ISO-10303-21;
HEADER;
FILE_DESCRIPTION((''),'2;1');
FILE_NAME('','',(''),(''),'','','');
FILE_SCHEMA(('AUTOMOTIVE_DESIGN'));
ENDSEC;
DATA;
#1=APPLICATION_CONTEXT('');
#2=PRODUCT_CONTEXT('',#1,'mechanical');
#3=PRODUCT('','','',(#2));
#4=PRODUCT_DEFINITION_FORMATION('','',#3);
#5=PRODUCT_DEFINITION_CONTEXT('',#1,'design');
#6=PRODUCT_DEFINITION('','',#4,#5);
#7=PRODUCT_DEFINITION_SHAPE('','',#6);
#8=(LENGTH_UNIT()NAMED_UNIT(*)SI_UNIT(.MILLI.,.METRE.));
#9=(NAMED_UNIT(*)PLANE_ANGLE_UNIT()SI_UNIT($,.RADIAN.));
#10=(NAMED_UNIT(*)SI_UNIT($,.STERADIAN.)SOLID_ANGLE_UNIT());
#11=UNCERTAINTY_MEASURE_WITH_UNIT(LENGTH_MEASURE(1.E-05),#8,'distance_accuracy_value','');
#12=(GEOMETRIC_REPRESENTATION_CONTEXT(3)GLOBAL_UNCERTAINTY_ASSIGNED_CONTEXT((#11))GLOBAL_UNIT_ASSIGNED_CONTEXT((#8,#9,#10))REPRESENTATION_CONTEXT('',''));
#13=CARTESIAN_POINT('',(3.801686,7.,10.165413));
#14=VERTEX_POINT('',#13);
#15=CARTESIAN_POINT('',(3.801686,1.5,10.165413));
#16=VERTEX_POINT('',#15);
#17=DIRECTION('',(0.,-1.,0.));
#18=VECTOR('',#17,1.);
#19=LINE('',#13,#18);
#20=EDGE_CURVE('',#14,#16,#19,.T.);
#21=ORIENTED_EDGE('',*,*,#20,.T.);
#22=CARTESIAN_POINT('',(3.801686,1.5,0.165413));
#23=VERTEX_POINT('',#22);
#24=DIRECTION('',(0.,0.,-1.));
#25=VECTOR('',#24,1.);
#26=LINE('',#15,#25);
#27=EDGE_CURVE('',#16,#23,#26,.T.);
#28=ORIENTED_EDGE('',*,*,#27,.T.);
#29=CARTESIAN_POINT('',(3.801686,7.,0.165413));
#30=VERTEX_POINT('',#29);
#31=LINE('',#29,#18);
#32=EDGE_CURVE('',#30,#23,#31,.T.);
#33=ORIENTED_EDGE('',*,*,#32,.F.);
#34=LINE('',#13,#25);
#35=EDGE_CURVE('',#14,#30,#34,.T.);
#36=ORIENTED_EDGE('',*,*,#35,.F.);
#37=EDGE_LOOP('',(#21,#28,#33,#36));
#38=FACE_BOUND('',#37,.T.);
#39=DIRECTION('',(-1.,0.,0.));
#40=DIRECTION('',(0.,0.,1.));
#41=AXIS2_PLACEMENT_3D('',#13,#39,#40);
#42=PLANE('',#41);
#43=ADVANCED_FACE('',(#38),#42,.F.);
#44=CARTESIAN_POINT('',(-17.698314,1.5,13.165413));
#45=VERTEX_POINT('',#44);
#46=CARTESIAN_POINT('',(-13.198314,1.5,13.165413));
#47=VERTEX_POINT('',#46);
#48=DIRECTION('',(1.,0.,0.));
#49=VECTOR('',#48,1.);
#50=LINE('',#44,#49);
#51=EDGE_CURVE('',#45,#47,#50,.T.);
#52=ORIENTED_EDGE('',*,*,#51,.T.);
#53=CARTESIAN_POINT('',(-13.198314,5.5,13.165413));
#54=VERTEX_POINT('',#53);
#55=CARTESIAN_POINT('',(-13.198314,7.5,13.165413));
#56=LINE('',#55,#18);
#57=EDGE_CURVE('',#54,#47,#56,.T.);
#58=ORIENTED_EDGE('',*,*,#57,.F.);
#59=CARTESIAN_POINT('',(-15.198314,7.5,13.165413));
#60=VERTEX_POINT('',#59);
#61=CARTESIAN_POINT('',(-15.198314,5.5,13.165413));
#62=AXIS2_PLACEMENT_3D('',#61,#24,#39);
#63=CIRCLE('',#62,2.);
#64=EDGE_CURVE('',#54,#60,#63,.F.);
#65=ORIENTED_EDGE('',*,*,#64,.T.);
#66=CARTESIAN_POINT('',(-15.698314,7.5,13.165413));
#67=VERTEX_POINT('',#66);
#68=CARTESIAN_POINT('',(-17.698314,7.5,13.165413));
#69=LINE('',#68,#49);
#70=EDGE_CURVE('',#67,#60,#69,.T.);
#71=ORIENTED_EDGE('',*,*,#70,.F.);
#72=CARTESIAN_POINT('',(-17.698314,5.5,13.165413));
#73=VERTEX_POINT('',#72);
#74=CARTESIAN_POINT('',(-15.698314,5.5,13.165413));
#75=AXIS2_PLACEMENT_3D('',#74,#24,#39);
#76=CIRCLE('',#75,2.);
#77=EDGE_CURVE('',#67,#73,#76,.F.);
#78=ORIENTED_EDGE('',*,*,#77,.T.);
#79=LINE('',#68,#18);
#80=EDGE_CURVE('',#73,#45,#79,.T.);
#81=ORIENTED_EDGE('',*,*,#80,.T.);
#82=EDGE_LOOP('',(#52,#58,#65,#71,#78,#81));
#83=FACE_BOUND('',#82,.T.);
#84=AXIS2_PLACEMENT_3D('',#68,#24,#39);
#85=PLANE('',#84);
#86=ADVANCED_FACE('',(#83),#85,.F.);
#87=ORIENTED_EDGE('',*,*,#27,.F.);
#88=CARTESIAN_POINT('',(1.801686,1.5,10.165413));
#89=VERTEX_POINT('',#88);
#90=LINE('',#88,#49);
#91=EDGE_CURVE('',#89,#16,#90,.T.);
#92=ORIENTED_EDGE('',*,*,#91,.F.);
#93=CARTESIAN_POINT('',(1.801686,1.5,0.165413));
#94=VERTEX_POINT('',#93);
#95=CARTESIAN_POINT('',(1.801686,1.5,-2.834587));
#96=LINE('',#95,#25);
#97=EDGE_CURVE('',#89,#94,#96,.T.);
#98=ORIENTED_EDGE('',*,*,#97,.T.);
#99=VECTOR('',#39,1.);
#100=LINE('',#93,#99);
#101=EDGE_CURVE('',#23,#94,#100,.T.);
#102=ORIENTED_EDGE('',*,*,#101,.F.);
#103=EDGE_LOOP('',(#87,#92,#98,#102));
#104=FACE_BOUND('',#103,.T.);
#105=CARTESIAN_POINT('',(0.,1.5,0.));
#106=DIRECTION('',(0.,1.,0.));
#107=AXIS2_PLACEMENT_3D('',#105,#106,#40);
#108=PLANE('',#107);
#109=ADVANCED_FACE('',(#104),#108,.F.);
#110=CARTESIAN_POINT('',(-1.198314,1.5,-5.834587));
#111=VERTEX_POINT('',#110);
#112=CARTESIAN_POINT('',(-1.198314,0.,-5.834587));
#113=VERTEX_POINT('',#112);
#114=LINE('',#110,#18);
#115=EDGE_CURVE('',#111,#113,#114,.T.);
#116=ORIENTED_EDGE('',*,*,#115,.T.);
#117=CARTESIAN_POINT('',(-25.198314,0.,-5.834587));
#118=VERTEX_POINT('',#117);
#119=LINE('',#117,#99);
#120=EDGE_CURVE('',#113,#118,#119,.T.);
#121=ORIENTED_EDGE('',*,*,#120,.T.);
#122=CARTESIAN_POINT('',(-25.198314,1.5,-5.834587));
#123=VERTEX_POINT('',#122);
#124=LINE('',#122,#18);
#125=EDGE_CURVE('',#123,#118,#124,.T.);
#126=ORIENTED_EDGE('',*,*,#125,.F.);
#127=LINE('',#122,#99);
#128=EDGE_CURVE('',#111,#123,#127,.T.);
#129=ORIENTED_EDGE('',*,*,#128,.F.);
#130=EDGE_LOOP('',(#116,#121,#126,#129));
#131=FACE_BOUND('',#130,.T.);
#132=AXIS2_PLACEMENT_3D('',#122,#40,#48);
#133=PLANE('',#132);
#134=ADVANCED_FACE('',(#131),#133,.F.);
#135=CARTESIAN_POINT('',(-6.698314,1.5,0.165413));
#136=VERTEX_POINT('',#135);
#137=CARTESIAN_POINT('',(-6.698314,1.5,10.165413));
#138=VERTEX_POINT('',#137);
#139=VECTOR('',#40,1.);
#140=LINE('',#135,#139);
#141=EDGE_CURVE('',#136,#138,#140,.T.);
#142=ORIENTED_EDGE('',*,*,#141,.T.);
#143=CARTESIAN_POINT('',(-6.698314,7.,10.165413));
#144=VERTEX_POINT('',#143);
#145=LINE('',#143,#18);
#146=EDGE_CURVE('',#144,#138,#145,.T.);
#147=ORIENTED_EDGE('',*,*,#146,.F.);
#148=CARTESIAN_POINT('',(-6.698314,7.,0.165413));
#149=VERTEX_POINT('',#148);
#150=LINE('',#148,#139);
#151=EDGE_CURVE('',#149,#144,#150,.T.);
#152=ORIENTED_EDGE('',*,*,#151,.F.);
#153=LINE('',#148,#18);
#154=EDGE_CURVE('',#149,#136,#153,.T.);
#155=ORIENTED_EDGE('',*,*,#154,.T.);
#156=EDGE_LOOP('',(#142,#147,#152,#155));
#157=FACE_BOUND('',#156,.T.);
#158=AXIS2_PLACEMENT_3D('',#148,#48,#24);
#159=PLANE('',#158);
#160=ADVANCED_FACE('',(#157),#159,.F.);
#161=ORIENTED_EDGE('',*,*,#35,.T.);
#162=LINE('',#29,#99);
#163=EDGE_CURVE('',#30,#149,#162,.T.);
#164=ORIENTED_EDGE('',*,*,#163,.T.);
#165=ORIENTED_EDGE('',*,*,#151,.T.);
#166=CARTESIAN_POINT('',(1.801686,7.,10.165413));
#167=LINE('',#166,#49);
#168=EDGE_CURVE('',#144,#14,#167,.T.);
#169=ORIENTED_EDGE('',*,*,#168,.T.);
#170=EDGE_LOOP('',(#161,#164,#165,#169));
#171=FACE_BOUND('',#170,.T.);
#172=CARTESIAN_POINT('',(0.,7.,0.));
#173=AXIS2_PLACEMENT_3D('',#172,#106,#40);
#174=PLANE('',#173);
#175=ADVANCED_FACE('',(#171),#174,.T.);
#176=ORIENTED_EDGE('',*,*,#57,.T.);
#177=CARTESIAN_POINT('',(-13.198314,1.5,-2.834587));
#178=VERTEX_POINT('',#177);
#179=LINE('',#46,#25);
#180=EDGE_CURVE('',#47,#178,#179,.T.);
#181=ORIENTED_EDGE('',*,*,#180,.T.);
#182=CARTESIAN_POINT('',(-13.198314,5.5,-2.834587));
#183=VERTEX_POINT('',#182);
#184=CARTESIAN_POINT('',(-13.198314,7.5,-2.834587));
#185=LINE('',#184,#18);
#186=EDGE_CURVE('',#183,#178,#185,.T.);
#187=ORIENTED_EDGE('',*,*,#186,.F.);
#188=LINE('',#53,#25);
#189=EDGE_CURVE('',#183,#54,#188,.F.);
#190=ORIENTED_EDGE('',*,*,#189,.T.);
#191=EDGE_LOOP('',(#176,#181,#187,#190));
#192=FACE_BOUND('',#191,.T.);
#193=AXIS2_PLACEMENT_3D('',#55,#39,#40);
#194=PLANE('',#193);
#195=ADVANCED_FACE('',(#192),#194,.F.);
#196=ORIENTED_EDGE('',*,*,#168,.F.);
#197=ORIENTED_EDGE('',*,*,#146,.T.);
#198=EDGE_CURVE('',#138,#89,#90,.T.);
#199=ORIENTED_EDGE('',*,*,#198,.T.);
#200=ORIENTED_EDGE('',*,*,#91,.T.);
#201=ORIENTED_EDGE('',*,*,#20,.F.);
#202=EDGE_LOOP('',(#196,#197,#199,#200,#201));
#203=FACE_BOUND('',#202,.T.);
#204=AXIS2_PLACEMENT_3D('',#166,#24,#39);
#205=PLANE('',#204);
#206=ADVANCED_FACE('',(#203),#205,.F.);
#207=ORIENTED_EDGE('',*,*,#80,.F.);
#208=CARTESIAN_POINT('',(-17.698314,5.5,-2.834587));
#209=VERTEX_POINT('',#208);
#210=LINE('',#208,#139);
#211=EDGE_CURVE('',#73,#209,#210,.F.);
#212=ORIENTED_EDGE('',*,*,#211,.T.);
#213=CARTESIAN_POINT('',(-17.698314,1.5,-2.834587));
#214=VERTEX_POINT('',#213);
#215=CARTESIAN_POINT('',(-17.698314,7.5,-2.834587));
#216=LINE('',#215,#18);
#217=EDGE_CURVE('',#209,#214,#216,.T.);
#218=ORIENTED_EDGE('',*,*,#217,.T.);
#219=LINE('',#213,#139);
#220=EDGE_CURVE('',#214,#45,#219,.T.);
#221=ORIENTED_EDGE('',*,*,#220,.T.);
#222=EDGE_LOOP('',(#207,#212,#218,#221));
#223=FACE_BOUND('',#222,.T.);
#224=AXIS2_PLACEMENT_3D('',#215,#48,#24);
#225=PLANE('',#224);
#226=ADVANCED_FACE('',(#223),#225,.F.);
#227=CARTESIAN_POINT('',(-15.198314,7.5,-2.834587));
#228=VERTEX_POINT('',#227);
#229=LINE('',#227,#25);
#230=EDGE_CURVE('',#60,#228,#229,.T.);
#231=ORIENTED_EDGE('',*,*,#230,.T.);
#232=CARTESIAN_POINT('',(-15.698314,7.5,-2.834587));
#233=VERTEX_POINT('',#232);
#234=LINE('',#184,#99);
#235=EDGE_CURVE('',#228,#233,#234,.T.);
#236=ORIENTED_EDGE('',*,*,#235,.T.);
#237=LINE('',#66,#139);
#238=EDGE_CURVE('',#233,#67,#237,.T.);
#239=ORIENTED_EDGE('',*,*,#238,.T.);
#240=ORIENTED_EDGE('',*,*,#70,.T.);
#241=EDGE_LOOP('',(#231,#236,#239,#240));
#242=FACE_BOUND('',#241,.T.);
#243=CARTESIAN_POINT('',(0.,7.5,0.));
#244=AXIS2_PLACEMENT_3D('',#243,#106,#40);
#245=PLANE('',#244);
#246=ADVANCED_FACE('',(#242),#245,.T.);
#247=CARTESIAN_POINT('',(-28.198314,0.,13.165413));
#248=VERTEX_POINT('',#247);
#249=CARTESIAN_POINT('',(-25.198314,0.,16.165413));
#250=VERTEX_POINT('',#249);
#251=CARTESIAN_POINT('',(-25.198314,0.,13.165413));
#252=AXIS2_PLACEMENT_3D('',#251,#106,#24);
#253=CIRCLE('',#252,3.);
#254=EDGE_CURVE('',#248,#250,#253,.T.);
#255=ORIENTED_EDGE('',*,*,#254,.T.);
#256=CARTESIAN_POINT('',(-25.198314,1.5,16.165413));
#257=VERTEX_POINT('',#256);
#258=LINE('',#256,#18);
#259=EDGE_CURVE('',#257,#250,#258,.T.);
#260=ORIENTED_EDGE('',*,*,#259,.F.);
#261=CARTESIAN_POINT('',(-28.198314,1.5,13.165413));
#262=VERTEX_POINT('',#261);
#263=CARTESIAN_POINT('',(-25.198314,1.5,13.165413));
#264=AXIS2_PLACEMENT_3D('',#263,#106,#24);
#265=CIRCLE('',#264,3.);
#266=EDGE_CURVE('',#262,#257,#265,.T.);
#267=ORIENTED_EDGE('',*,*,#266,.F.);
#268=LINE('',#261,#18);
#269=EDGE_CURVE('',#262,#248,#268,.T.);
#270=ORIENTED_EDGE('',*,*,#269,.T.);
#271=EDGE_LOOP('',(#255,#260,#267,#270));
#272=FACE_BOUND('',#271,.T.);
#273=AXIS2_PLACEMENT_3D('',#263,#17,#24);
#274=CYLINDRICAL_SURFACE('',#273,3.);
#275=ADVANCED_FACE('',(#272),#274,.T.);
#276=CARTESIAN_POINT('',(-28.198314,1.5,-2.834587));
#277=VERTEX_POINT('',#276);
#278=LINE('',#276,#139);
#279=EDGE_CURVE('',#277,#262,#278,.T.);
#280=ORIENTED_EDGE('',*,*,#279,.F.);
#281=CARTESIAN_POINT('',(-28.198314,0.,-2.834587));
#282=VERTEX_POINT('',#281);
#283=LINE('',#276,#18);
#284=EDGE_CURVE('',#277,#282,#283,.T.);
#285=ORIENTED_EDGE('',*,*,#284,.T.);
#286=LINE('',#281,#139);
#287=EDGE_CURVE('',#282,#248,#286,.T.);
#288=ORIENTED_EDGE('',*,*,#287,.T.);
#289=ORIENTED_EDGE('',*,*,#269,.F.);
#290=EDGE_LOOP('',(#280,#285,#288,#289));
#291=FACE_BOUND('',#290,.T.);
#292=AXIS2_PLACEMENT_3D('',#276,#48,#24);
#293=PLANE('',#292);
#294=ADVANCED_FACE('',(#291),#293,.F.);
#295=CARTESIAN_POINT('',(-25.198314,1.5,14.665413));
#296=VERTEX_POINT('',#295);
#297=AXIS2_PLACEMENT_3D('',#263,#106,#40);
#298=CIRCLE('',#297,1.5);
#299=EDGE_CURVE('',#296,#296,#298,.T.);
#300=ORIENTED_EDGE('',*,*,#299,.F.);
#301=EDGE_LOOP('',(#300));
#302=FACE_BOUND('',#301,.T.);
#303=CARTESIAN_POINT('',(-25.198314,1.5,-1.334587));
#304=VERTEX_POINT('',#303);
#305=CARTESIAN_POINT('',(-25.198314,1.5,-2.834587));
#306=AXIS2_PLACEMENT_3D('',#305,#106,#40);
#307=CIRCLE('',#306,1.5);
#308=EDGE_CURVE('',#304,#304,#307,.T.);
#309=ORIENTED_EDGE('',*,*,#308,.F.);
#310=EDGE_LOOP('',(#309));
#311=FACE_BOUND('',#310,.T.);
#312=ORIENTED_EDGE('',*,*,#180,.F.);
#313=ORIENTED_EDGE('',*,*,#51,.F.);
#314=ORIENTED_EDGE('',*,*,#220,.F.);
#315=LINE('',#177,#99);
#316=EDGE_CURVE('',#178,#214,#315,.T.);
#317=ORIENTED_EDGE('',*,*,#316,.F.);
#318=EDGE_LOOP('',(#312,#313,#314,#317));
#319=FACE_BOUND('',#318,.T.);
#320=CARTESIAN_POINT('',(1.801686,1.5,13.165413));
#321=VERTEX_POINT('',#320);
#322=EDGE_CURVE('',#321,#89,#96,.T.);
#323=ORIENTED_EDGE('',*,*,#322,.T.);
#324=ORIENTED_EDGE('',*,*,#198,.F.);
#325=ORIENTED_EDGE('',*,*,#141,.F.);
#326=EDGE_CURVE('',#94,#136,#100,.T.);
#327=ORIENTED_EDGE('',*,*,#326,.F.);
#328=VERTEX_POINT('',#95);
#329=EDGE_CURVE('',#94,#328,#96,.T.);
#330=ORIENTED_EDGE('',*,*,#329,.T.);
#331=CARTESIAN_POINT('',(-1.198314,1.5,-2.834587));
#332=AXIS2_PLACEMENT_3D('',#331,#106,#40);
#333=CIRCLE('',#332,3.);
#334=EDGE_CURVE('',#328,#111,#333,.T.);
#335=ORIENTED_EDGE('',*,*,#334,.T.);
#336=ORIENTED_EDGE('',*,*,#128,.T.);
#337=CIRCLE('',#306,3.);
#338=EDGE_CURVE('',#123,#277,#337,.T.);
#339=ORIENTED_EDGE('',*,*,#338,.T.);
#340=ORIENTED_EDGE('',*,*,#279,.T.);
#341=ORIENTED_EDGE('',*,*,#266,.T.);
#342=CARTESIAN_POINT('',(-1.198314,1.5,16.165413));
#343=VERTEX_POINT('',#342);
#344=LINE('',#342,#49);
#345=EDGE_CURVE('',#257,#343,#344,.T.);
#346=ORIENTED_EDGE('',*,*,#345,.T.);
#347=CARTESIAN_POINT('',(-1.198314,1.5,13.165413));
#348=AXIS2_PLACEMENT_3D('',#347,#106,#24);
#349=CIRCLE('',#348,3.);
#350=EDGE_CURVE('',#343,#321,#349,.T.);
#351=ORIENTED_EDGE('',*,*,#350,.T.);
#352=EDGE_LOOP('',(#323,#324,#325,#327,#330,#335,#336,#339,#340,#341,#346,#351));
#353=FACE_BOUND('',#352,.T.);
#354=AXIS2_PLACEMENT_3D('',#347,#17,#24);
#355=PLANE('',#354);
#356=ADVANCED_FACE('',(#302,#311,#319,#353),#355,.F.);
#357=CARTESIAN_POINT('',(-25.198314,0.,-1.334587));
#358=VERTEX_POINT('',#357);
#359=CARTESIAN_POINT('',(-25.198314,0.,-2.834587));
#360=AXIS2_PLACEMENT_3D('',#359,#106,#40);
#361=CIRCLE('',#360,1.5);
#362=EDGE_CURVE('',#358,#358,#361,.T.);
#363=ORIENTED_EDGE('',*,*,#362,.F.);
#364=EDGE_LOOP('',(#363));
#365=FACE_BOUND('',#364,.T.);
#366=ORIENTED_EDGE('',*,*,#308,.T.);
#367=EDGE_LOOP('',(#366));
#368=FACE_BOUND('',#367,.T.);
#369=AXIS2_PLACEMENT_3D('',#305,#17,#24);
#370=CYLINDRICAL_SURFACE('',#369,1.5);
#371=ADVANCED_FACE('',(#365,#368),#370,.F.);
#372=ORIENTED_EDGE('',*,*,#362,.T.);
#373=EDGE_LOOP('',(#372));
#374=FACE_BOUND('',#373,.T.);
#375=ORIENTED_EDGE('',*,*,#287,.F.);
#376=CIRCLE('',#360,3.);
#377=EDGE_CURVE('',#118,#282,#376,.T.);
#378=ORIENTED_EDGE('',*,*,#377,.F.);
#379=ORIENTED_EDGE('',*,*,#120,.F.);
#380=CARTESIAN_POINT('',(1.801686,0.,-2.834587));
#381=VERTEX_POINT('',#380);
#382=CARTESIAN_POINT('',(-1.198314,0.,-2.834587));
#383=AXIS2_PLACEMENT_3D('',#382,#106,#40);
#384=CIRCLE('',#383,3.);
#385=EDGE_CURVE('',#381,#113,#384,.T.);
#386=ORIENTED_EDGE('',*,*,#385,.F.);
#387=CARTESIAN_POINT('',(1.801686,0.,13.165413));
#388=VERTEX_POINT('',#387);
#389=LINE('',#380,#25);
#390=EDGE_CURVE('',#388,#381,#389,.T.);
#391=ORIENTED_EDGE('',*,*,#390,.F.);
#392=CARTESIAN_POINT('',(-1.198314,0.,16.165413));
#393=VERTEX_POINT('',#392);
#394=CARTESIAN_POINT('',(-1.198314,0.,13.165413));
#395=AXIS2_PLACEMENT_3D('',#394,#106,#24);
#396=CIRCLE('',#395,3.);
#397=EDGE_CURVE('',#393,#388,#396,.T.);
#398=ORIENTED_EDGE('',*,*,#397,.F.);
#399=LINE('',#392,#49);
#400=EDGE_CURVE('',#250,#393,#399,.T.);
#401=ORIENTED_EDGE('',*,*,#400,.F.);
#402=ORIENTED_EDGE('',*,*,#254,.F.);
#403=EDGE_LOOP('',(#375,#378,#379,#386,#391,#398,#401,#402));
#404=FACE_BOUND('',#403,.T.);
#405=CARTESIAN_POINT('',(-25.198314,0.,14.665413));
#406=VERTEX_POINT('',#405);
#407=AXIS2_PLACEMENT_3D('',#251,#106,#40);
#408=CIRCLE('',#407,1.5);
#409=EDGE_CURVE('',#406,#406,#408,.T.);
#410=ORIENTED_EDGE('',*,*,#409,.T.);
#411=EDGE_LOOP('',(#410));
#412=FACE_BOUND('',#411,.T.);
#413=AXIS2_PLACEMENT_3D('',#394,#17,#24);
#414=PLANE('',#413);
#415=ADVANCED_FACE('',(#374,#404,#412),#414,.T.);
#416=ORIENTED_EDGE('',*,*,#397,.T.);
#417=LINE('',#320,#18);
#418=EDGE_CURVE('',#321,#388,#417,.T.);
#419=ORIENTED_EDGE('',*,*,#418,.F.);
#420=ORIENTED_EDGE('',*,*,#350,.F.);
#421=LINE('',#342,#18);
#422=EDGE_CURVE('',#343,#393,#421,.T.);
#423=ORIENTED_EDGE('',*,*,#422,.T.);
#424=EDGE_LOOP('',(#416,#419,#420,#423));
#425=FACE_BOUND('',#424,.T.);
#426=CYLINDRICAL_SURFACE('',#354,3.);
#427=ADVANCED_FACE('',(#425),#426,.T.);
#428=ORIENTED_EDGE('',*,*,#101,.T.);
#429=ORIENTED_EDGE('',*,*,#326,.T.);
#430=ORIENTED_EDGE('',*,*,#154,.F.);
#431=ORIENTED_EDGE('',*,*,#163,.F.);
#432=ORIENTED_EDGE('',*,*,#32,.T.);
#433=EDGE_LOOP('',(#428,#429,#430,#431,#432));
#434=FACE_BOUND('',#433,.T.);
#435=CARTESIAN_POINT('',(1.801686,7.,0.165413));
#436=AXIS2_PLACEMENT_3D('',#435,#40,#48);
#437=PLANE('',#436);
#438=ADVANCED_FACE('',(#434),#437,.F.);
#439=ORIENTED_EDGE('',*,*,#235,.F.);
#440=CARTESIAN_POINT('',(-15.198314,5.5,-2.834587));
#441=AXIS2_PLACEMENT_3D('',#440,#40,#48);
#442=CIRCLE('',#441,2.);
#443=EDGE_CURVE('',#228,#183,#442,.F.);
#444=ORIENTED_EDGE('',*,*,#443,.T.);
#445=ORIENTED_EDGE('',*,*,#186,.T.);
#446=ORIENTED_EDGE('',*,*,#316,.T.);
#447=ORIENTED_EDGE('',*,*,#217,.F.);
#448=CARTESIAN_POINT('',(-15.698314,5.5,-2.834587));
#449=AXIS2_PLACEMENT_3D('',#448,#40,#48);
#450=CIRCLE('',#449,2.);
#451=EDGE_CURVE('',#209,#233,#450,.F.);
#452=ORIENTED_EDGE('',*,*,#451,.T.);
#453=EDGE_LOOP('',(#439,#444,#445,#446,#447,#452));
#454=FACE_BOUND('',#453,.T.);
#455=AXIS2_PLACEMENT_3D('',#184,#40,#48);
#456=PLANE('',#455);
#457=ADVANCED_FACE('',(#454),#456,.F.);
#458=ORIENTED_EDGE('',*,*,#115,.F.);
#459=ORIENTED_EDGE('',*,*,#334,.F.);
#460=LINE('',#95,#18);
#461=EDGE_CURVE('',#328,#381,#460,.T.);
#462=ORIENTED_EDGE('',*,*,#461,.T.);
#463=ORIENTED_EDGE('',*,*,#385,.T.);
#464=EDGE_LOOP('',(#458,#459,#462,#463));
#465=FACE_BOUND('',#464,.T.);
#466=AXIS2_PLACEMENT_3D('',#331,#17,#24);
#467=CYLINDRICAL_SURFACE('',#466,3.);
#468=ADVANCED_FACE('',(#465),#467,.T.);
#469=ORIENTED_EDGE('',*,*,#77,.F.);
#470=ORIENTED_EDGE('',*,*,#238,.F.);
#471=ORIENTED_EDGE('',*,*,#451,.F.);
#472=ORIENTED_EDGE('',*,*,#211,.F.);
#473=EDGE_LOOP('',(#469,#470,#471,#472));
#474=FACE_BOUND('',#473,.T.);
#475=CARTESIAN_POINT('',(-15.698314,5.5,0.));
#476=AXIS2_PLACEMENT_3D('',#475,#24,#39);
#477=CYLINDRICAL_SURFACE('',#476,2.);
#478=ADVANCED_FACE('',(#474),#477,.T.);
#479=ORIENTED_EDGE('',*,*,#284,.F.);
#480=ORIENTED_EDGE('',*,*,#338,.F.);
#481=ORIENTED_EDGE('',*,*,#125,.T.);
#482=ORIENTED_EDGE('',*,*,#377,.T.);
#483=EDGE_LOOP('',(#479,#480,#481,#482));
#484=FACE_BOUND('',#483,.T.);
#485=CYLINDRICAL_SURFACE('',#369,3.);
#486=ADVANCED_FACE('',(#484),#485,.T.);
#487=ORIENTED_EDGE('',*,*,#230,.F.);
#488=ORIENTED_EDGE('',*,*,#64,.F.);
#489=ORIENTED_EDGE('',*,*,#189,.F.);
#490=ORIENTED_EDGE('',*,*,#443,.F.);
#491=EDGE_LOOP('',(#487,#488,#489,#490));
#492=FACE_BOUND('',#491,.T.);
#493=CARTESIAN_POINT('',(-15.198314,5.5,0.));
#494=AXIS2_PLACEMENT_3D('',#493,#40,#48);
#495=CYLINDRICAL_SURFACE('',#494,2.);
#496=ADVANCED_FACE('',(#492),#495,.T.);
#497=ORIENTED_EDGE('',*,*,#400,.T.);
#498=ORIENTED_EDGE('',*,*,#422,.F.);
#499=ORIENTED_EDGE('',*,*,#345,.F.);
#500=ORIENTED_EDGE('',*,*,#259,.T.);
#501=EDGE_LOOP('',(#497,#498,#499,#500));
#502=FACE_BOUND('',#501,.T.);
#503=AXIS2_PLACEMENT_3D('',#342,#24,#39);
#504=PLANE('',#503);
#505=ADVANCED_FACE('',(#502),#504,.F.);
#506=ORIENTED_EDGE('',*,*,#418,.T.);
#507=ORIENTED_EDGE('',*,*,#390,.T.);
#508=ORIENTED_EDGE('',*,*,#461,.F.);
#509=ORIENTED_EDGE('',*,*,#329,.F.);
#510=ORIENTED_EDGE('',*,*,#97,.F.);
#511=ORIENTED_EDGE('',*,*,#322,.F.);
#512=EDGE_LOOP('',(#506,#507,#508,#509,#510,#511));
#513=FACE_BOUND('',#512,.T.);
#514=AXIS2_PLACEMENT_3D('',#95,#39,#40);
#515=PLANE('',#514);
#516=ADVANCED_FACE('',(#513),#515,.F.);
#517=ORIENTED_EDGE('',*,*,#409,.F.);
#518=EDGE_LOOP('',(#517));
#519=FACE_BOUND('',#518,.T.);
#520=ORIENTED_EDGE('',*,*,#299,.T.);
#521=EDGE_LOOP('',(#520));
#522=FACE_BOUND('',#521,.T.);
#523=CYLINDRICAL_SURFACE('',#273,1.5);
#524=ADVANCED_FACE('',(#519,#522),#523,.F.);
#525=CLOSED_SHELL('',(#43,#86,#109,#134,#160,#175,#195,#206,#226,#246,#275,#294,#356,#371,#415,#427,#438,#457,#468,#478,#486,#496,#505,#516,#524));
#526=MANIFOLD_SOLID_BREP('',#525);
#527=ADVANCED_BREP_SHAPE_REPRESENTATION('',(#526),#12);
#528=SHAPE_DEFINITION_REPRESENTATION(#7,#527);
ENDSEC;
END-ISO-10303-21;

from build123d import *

# Parameters (mm, degrees)
SKETCH_1_R      = 1.5
EXTRUDE_1_DEPTH = 1.5
EXTRUDE_2_DEPTH = 5.5
SKETCH_3_W      = 4.5
SKETCH_3_H      = 16
EXTRUDE_3_DEPTH = 6
FILLET_1_R      = 2


with BuildPart() as part:
    # Эскиз1 → Бобышка-Вытянуть1 (new body)
    with BuildSketch(Plane(origin=(0, 0, 0), x_dir=(1, 0, 0), z_dir=(0, 1, 0))):
        with BuildLine():
            Line((-28.198313686, 2.834587413), (-28.198313686, -13.165412587))
            ThreePointArc((-28.198313686, -13.165412587), (-27.31963403, -15.286732931), (-25.198313686, -16.165412587))
            Line((-25.198313686, -16.165412587), (-1.198313686, -16.165412587))
            ThreePointArc((-1.198313686, -16.165412587), (0.923006657, -15.286732931), (1.801686314, -13.165412587))
            Line((1.801686314, -13.165412587), (1.801686314, 2.834587413))
            ThreePointArc((1.801686314, 2.834587413), (0.923006657, 4.955907756), (-1.198313686, 5.834587413))
            Line((-1.198313686, 5.834587413), (-25.198313686, 5.834587413))
            ThreePointArc((-25.198313686, 5.834587413), (-27.31963403, 4.955907756), (-28.198313686, 2.834587413))
        make_face()
        with Locations(Location((-25.198313686, -13.165412587, 0), (0, 0, 270))):
            Circle(SKETCH_1_R, mode=Mode.SUBTRACT)
        with Locations(Location((-25.198313686, 2.834587413, 0), (0, 0, 270))):
            Circle(SKETCH_1_R, mode=Mode.SUBTRACT)
    extrude(amount=EXTRUDE_1_DEPTH)

    # Эскиз2 → Бобышка-Вытянуть2 (add)
    with BuildSketch(Plane(origin=(0, 1.5, 0), x_dir=(1, 0, 0), z_dir=(0, 1, 0))):
        Polygon((1.801686314, -0.165412587), (-6.698313686, -0.165412587), (-6.698313686, -10.165412587), (1.801686314, -10.165412587), (3.801686314, -10.165412587), (3.801686314, -0.165412587), align=None)
    extrude(amount=EXTRUDE_2_DEPTH)

    # Эскиз3 → Бобышка-Вытянуть3 (add)
    with BuildSketch(Plane(origin=(0, 1.5, 0), x_dir=(1, 0, 0), z_dir=(0, 1, 0))):
        with Locations((-15.448313686, -5.165412587)):
            Rectangle(SKETCH_3_W, SKETCH_3_H)
    extrude(amount=EXTRUDE_3_DEPTH)

    # Скругление1
    fillet_1_edges = [part.edges().sort_by_distance(p)[0] for p in [
        (-17.698313686, 7.5, 5.165412587),
        (-13.198313686, 7.5, 5.165412587),
    ]]
    fillet(fillet_1_edges, radius=FILLET_1_R)


solid = part.part
